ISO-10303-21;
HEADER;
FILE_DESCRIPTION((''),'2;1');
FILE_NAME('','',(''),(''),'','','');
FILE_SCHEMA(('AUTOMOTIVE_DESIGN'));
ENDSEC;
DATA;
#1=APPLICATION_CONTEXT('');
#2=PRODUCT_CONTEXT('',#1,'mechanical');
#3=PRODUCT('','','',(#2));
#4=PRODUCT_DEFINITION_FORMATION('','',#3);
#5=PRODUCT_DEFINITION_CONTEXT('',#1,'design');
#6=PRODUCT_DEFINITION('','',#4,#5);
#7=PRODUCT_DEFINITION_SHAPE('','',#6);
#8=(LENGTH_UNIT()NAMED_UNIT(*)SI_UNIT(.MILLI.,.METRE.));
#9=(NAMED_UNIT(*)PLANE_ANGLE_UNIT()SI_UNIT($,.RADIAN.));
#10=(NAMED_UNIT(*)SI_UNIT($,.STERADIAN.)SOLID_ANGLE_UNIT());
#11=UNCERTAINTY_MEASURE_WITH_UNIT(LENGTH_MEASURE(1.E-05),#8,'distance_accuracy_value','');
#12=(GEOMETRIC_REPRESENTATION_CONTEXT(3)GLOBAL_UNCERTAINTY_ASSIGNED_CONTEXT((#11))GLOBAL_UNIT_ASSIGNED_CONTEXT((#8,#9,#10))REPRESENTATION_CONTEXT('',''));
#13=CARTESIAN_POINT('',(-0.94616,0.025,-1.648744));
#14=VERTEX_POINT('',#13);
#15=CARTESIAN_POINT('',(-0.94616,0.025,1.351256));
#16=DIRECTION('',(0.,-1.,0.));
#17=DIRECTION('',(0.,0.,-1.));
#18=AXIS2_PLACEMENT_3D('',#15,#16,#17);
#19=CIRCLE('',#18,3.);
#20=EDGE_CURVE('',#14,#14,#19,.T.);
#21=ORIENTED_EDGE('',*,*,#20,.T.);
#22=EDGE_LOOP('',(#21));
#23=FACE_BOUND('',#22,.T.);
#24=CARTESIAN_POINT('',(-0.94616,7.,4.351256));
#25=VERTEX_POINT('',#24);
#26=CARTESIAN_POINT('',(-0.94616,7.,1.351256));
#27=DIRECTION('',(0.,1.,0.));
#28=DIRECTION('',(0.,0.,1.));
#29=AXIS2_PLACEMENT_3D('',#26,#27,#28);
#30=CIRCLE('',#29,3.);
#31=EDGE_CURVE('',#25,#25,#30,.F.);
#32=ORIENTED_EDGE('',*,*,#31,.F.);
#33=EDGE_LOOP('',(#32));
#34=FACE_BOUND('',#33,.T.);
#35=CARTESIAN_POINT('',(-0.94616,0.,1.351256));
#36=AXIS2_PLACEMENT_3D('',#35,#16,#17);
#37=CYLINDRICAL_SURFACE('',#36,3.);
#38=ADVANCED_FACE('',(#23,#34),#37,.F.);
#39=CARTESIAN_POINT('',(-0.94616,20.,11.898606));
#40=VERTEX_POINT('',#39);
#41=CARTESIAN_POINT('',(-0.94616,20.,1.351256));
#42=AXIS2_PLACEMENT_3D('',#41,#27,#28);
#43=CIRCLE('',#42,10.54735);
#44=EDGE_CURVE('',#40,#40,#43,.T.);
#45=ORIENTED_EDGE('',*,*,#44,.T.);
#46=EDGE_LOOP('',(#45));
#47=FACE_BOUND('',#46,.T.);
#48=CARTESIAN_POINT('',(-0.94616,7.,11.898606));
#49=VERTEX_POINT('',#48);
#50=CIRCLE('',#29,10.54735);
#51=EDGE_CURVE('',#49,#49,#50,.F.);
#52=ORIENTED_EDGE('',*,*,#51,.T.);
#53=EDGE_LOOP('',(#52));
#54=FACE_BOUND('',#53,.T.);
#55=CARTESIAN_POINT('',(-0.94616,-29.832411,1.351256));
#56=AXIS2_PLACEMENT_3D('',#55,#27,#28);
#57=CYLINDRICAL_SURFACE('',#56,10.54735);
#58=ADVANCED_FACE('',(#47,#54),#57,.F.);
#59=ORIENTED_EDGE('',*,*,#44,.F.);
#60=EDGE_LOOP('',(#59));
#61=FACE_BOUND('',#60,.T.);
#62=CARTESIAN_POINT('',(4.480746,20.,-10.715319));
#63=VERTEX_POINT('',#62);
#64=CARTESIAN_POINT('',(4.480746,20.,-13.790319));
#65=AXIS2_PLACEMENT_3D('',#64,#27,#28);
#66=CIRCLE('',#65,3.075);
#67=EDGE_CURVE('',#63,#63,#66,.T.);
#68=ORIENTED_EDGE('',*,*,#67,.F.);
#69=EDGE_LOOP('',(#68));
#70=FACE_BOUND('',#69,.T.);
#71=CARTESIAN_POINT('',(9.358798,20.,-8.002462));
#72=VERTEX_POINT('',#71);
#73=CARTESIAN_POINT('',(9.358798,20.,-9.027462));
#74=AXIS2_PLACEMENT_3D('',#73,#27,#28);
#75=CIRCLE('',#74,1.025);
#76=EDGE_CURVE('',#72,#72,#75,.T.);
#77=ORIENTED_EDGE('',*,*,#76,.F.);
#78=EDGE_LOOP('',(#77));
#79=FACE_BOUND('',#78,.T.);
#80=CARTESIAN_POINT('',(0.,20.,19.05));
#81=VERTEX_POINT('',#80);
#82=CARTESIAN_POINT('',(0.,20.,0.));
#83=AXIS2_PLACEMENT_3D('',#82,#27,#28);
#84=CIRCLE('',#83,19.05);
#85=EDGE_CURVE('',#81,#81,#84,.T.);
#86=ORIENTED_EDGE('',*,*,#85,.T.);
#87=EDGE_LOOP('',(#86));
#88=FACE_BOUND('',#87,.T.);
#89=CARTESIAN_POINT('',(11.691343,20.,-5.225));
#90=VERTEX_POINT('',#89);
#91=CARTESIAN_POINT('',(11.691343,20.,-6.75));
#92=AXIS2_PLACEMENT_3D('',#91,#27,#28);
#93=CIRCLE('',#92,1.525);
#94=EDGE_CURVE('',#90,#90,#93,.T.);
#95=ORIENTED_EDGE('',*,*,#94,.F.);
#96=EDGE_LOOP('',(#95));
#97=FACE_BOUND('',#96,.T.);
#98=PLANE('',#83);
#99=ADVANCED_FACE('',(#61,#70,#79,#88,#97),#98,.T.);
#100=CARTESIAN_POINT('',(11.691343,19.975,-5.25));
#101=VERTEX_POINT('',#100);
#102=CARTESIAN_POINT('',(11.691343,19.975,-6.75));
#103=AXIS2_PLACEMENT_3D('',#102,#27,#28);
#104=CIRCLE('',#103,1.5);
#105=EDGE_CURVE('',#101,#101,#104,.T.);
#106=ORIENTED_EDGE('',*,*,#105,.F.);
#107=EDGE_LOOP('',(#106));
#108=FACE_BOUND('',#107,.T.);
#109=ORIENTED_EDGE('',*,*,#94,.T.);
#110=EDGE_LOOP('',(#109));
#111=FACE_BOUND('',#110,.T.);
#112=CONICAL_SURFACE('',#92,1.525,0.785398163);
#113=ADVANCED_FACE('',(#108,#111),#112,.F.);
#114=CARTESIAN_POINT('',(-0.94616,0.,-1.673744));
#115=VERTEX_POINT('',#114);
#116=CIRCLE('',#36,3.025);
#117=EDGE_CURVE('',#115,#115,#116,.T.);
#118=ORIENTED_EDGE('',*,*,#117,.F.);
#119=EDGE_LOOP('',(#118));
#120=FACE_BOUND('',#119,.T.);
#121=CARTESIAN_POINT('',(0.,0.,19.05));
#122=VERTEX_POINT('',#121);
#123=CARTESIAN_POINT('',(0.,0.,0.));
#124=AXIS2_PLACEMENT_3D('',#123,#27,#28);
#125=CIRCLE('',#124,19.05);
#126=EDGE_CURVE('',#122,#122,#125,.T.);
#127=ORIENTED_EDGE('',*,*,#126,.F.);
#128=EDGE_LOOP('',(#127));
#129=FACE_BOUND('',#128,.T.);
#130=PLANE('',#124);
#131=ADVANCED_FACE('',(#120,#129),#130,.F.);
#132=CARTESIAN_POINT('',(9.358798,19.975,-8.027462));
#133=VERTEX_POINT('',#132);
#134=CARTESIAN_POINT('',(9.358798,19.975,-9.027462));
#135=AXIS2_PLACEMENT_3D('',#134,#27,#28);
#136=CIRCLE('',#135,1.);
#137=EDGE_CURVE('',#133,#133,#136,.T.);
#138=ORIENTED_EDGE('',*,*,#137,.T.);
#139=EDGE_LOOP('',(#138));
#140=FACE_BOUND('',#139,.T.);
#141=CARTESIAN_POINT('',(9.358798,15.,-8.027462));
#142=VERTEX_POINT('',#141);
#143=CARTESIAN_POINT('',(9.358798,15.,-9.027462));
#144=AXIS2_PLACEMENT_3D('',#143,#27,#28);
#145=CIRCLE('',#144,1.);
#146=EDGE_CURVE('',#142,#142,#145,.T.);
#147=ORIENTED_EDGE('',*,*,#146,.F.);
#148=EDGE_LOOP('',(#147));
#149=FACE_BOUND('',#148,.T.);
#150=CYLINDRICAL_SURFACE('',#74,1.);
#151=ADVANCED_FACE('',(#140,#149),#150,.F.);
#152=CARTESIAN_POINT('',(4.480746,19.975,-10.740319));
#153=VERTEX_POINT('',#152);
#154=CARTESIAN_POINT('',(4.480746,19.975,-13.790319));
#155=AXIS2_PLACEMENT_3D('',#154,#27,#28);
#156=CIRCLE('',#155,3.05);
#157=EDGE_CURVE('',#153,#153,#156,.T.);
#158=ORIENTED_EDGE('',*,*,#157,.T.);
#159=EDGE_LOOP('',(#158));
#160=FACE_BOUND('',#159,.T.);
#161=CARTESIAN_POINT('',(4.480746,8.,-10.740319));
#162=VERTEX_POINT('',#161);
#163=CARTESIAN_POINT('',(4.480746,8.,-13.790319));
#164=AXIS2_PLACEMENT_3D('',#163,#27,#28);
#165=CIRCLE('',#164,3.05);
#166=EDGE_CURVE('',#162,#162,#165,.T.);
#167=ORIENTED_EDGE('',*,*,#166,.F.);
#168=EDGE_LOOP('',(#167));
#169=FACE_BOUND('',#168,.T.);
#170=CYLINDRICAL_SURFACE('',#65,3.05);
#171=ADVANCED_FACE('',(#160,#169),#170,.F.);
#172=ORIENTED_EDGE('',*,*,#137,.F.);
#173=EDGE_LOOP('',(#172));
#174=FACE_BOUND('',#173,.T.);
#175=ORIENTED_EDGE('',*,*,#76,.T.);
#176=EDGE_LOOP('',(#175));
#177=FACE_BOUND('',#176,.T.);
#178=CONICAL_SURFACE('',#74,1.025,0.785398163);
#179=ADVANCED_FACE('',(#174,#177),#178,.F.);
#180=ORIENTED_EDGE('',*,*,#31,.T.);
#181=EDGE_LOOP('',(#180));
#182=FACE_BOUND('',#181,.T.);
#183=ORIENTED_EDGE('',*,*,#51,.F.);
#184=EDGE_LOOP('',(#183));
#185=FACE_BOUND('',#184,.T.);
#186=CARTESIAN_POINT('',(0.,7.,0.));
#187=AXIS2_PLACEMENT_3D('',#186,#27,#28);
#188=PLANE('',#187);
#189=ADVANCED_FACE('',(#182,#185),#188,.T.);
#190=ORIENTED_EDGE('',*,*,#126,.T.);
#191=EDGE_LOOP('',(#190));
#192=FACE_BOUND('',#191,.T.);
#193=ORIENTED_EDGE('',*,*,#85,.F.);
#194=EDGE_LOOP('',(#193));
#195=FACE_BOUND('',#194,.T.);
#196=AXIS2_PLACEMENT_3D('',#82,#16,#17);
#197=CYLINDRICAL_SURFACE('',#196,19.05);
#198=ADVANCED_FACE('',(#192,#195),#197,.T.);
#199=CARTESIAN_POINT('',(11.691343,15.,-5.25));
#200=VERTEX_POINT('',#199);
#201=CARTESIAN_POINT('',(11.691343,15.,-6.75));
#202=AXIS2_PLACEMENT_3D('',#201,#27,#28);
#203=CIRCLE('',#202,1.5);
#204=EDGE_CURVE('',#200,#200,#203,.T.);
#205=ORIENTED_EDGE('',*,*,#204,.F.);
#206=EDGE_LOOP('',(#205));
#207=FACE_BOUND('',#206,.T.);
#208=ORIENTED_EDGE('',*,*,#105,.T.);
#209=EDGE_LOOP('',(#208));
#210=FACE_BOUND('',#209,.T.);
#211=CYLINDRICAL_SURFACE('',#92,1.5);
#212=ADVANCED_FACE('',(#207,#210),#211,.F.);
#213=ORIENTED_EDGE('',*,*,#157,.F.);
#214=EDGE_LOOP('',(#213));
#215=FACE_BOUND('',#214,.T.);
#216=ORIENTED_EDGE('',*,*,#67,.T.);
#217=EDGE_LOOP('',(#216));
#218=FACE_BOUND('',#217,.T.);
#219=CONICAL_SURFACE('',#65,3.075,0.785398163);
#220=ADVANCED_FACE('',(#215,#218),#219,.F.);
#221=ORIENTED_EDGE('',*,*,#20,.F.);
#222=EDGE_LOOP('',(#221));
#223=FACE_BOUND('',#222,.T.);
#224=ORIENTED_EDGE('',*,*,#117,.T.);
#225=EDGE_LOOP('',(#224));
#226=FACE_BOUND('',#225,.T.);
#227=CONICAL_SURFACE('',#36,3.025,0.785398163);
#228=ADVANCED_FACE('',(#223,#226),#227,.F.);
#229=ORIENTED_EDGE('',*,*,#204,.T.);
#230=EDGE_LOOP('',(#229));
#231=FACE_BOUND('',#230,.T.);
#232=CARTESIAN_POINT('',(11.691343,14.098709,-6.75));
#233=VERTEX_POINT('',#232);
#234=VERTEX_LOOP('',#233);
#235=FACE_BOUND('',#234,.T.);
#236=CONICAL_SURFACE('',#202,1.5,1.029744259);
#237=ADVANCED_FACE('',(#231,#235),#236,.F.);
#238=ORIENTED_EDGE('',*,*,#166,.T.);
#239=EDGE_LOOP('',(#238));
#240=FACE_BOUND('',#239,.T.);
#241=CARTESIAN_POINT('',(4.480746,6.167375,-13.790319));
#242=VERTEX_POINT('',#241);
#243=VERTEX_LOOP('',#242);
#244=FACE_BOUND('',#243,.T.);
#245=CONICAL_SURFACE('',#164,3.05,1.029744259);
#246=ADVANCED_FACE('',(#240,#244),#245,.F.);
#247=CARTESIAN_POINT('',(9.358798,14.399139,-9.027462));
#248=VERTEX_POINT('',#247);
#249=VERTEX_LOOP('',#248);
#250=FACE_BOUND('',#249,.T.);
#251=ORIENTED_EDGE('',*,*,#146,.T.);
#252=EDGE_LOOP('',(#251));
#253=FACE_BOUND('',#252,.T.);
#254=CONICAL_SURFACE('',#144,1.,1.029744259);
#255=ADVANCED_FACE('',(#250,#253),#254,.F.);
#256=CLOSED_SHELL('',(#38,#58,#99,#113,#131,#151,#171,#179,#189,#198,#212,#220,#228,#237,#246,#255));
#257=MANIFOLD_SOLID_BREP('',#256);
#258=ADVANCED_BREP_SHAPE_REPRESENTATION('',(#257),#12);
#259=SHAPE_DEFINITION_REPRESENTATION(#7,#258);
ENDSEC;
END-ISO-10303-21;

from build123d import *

# Parameters (mm, degrees)
SKETCH130_R                                        = 19.05
BOSS_EXTRUDE6_DEPTH                                = 20
HEATCARTRIDGEHOLE9_32_0_28125_DIAMETER_D           = 6.1
HEATCARTRIDGEHOLE9_32_0_28125_DIAMETER_DEPTH       = 12
HEATCARTRIDGEHOLE9_32_0_28125_DIAMETER_CSINK_D     = 6.15
HEATCARTRIDGEHOLE9_32_0_28125_DIAMETER_CSINK_ANGLE = 90
HEATCARTRIDGEHOLE9_32_0_28125_DIAMETER_TIP         = 1.832624888
F_2_0_2_DIAMETER_HOLE1_D                           = 2
F_2_0_2_DIAMETER_HOLE1_DEPTH                       = 5
F_2_0_2_DIAMETER_HOLE1_CSINK_D                     = 2.05
F_2_0_2_DIAMETER_HOLE1_CSINK_ANGLE                 = 90
F_2_0_2_DIAMETER_HOLE1_TIP                         = 0.600860619
F_3_0_3_DIAMETER_HOLE1_D                           = 3
F_3_0_3_DIAMETER_HOLE1_DEPTH                       = 5
F_3_0_3_DIAMETER_HOLE1_CSINK_D                     = 3.05
F_3_0_3_DIAMETER_HOLE1_CSINK_ANGLE                 = 90
F_3_0_3_DIAMETER_HOLE1_TIP                         = 0.901290929
F_6_0_6_DIAMETER_HOLE2_D                           = 6
F_6_0_6_DIAMETER_HOLE2_DEPTH                       = 35.197418143
F_6_0_6_DIAMETER_HOLE2_CSINK_D                     = 6.05
F_6_0_6_DIAMETER_HOLE2_CSINK_ANGLE                 = 90
F_6_0_6_DIAMETER_HOLE2_TIP                         = 1.802581857
SKETCH182_R                                        = 10.54735
CUT_EXTRUDE17_DEPTH                                = 13


with BuildPart() as part:
    # Sketch130 → Boss-Extrude6 (new body)
    with BuildSketch(Plane(origin=(0, 0, 0), x_dir=(1, 0, 0), z_dir=(0, 1, 0))):
        with Locations(Location((0, 0, 0), (0, 0, 270))):
            Circle(SKETCH130_R)
    extrude(amount=BOSS_EXTRUDE6_DEPTH)

    # HeatCartridgeHole9/32 (0.28125) Diameter Hole1
    with Locations(Plane(origin=(0, 20, 0), x_dir=(1, 0, 0), z_dir=(0, 1, 0))):
        with Locations((4.480746418, 13.790319486)):
            CounterSinkHole(HEATCARTRIDGEHOLE9_32_0_28125_DIAMETER_D / 2, HEATCARTRIDGEHOLE9_32_0_28125_DIAMETER_CSINK_D / 2, depth=HEATCARTRIDGEHOLE9_32_0_28125_DIAMETER_DEPTH, counter_sink_angle=HEATCARTRIDGEHOLE9_32_0_28125_DIAMETER_CSINK_ANGLE)
            with Locations((0, 0, -(HEATCARTRIDGEHOLE9_32_0_28125_DIAMETER_DEPTH + HEATCARTRIDGEHOLE9_32_0_28125_DIAMETER_TIP / 2))):  # 118° drill point
                Cone(0, HEATCARTRIDGEHOLE9_32_0_28125_DIAMETER_D / 2, HEATCARTRIDGEHOLE9_32_0_28125_DIAMETER_TIP, mode=Mode.SUBTRACT)

    # Ø2.0 (2) Diameter Hole1
    with Locations(Plane(origin=(0, 20, 0), x_dir=(1, 0, 0), z_dir=(0, 1, 0))):
        with Locations((9.358798046, 9.027462242)):
            CounterSinkHole(F_2_0_2_DIAMETER_HOLE1_D / 2, F_2_0_2_DIAMETER_HOLE1_CSINK_D / 2, depth=F_2_0_2_DIAMETER_HOLE1_DEPTH, counter_sink_angle=F_2_0_2_DIAMETER_HOLE1_CSINK_ANGLE)
            with Locations((0, 0, -(F_2_0_2_DIAMETER_HOLE1_DEPTH + F_2_0_2_DIAMETER_HOLE1_TIP / 2))):  # 118° drill point
                Cone(0, F_2_0_2_DIAMETER_HOLE1_D / 2, F_2_0_2_DIAMETER_HOLE1_TIP, mode=Mode.SUBTRACT)

    # Ø3.0 (3) Diameter Hole1
    with Locations(Plane(origin=(0, 20, 0), x_dir=(1, 0, 0), z_dir=(0, 1, 0))):
        with Locations((11.691342951, 6.75)):
            CounterSinkHole(F_3_0_3_DIAMETER_HOLE1_D / 2, F_3_0_3_DIAMETER_HOLE1_CSINK_D / 2, depth=F_3_0_3_DIAMETER_HOLE1_DEPTH, counter_sink_angle=F_3_0_3_DIAMETER_HOLE1_CSINK_ANGLE)
            with Locations((0, 0, -(F_3_0_3_DIAMETER_HOLE1_DEPTH + F_3_0_3_DIAMETER_HOLE1_TIP / 2))):  # 118° drill point
                Cone(0, F_3_0_3_DIAMETER_HOLE1_D / 2, F_3_0_3_DIAMETER_HOLE1_TIP, mode=Mode.SUBTRACT)

    # Ø6.0 (6) Diameter Hole2
    with Locations(Plane(origin=(0, 0, 0), x_dir=(-1, 0, 0), z_dir=(0, -1, 0))):
        with Locations((0.946159788, -1.351256215)):
            CounterSinkHole(F_6_0_6_DIAMETER_HOLE2_D / 2, F_6_0_6_DIAMETER_HOLE2_CSINK_D / 2, depth=F_6_0_6_DIAMETER_HOLE2_DEPTH, counter_sink_angle=F_6_0_6_DIAMETER_HOLE2_CSINK_ANGLE)
            with Locations((0, 0, -(F_6_0_6_DIAMETER_HOLE2_DEPTH + F_6_0_6_DIAMETER_HOLE2_TIP / 2))):  # 118° drill point
                Cone(0, F_6_0_6_DIAMETER_HOLE2_D / 2, F_6_0_6_DIAMETER_HOLE2_TIP, mode=Mode.SUBTRACT)

    # Sketch182 → Cut-Extrude17 (cut)
    with BuildSketch(Plane(origin=(0, 20, 0), x_dir=(1, 0, 0), z_dir=(0, 1, 0))):
        with Locations(Location((-0.946159788, -1.351256215, 0), (0, 0, 270))):
            Circle(SKETCH182_R)
    extrude(amount=-CUT_EXTRUDE17_DEPTH, mode=Mode.SUBTRACT)


solid = part.part
